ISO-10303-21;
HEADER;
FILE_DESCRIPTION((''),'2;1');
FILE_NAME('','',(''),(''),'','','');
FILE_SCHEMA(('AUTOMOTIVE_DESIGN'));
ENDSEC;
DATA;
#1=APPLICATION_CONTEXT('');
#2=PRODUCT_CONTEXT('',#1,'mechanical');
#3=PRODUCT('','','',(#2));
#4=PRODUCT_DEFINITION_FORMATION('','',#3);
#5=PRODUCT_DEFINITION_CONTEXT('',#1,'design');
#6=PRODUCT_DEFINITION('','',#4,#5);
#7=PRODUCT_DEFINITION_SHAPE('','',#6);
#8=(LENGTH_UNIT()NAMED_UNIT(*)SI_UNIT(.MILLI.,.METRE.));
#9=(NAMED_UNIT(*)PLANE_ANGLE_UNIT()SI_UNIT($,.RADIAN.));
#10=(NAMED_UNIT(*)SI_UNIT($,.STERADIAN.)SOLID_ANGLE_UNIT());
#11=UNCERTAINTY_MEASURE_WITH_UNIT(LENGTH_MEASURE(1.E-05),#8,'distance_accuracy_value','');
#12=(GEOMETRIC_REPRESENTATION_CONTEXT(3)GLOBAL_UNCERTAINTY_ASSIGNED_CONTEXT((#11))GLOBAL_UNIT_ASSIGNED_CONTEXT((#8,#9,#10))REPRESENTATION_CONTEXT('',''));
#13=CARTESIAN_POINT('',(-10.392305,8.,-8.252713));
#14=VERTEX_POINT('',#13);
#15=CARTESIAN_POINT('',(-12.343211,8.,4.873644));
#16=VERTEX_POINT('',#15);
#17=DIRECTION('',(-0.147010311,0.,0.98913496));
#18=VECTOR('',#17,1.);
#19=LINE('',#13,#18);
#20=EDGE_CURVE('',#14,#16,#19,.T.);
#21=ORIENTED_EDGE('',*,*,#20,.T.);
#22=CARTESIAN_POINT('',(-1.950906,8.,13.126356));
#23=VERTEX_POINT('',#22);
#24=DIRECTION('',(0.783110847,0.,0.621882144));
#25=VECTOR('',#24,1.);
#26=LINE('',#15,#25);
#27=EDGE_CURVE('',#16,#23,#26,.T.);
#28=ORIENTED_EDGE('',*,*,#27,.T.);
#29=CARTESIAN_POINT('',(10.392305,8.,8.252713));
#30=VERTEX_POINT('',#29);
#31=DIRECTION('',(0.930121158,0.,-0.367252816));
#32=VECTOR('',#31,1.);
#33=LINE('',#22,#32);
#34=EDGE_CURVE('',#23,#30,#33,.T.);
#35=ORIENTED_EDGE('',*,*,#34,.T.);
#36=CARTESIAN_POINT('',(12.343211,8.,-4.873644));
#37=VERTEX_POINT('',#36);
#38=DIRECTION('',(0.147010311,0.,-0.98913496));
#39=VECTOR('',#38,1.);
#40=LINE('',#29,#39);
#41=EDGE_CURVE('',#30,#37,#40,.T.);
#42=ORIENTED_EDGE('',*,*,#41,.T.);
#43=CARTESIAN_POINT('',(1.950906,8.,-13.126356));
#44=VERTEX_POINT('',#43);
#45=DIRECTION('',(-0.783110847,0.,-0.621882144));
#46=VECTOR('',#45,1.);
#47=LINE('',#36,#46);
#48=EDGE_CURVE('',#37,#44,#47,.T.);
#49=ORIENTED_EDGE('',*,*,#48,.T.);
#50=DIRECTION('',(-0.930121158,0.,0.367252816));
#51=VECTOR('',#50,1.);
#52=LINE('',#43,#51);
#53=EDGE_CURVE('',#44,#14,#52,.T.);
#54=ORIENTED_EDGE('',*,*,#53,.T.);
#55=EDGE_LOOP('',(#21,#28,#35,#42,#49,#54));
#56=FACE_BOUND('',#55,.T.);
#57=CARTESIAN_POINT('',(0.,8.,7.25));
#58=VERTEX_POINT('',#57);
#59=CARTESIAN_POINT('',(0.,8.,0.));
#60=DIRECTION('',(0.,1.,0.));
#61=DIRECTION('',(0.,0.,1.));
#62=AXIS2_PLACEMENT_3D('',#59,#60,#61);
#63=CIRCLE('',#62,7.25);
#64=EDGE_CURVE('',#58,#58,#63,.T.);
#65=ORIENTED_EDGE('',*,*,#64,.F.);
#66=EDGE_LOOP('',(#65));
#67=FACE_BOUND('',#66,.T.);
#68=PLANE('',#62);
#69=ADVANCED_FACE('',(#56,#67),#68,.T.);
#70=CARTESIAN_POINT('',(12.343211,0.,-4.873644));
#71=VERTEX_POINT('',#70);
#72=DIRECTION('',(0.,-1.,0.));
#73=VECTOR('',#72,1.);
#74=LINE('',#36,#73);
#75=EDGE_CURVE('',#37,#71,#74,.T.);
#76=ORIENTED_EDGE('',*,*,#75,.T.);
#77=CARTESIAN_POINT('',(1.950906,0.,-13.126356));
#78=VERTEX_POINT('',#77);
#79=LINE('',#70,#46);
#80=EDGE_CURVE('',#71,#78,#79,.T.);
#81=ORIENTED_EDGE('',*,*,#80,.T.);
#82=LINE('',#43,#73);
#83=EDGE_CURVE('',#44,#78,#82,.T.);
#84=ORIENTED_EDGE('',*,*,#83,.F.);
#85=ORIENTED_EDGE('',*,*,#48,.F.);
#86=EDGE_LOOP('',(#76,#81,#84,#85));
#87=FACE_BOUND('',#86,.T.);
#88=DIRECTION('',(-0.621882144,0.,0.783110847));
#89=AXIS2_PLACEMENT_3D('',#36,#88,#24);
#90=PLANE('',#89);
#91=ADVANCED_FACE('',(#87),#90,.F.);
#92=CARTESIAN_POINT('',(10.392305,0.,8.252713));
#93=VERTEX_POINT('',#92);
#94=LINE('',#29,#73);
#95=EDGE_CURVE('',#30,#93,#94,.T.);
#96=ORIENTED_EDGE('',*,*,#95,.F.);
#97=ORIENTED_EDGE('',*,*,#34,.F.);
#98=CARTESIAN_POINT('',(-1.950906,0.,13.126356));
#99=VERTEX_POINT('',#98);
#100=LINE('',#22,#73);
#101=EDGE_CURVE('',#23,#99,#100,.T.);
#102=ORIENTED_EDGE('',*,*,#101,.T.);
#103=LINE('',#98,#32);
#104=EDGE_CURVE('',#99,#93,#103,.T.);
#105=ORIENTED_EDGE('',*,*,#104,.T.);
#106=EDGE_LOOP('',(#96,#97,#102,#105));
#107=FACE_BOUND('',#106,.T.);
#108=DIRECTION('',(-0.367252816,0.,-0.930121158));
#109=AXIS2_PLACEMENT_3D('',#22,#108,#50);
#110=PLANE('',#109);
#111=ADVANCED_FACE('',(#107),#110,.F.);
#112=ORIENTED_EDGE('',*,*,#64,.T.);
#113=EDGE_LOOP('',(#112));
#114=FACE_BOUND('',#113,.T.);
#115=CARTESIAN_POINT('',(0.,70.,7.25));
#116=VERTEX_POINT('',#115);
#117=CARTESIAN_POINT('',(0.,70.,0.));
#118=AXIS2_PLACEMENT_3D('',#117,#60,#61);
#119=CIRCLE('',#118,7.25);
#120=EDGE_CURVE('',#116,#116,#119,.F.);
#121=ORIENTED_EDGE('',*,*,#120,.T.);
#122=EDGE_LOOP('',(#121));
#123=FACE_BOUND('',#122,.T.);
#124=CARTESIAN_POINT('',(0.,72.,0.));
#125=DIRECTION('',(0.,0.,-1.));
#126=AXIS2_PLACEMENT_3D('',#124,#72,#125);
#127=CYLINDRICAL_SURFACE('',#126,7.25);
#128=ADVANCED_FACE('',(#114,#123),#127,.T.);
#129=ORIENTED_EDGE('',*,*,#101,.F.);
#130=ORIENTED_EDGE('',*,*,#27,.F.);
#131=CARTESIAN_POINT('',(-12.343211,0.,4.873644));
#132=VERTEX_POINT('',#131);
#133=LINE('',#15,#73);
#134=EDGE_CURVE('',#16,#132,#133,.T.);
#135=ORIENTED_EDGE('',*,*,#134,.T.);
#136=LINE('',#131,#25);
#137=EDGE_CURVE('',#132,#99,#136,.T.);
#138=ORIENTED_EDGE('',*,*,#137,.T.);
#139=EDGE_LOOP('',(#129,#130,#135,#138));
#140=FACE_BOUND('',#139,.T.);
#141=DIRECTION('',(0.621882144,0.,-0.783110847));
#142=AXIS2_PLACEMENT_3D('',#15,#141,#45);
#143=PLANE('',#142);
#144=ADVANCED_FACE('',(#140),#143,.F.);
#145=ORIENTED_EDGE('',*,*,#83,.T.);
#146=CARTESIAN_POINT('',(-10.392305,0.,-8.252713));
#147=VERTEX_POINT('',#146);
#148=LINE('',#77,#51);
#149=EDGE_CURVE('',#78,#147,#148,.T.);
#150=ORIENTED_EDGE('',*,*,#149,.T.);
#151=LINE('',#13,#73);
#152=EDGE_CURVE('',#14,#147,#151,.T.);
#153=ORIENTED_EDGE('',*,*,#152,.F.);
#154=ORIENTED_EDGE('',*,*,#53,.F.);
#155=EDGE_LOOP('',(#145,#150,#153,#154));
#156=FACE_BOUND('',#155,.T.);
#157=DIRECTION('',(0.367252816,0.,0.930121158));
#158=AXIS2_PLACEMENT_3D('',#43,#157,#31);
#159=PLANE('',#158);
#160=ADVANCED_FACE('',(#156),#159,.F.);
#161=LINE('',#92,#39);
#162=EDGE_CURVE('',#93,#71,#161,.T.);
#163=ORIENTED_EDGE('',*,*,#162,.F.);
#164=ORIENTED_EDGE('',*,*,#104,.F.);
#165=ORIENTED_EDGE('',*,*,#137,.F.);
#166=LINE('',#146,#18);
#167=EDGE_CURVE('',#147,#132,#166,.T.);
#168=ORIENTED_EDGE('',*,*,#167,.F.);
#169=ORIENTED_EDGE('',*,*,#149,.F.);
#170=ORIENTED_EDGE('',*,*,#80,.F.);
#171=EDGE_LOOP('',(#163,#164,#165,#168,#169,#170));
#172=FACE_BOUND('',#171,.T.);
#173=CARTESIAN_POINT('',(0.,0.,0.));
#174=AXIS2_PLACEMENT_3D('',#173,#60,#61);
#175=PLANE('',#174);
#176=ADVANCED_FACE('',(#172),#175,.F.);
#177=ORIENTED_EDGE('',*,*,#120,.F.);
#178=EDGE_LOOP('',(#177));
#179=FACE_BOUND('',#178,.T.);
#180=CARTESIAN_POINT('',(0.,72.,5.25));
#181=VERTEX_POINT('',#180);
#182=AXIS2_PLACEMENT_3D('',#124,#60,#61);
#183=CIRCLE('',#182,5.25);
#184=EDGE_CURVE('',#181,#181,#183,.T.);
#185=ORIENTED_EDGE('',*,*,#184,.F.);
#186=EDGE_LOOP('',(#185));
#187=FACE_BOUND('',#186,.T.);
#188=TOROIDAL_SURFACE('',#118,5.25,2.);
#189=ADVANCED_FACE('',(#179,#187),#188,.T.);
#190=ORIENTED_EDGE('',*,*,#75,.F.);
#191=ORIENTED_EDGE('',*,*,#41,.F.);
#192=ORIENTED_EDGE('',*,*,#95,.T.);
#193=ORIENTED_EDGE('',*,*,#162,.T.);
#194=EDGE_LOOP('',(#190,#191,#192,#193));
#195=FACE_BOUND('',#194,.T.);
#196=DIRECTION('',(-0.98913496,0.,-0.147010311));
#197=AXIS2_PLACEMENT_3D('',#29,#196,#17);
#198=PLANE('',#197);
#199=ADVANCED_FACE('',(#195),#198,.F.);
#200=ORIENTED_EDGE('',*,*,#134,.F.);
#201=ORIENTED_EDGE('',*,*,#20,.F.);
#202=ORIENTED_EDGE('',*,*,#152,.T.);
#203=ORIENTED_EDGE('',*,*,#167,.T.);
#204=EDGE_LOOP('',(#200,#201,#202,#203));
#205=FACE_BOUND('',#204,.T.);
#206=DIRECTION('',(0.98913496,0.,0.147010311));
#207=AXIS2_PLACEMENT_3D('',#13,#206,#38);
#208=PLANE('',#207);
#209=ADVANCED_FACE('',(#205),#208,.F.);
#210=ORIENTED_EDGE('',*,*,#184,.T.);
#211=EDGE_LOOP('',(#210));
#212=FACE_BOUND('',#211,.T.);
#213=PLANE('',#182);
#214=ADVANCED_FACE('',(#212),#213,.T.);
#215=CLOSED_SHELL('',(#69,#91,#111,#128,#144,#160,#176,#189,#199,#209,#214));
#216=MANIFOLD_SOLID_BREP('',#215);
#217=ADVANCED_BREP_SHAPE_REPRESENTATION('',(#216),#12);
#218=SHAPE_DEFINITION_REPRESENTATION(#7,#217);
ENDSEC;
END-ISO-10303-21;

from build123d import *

# Parameters (mm, degrees)
BOSS_EXTRU_1_DEPTH = 8
ESQUISSE2_R        = 7.25
BOSS_EXTRU_2_DEPTH = 64
CONG_1_R           = 2


with BuildPart() as part:
    # Esquisse1 → Boss.-Extru.1 (new body)
    with BuildSketch(Plane(origin=(0, 0, 0), x_dir=(1, 0, 0), z_dir=(0, 1, 0))):
        Polygon((-10.392304845, 8.252712671), (-12.343211246, -4.873643664), (-1.950906401, -13.126356336), (10.392304845, -8.252712671), (12.343211246, 4.873643664), (1.950906401, 13.126356336), align=None)
    extrude(amount=BOSS_EXTRU_1_DEPTH)

    # Esquisse2 → Boss.-Extru.2 (add)
    with BuildSketch(Plane(origin=(0, 8, 0), x_dir=(1, 0, 0), z_dir=(0, 1, 0))):
        Circle(ESQUISSE2_R)
    extrude(amount=BOSS_EXTRU_2_DEPTH)

    # Congé1
    cong_1_edges = [part.edges().sort_by_distance(p)[0] for p in [
        (-7.25, 72, 0),
    ]]
    fillet(cong_1_edges, radius=CONG_1_R)


solid = part.part
